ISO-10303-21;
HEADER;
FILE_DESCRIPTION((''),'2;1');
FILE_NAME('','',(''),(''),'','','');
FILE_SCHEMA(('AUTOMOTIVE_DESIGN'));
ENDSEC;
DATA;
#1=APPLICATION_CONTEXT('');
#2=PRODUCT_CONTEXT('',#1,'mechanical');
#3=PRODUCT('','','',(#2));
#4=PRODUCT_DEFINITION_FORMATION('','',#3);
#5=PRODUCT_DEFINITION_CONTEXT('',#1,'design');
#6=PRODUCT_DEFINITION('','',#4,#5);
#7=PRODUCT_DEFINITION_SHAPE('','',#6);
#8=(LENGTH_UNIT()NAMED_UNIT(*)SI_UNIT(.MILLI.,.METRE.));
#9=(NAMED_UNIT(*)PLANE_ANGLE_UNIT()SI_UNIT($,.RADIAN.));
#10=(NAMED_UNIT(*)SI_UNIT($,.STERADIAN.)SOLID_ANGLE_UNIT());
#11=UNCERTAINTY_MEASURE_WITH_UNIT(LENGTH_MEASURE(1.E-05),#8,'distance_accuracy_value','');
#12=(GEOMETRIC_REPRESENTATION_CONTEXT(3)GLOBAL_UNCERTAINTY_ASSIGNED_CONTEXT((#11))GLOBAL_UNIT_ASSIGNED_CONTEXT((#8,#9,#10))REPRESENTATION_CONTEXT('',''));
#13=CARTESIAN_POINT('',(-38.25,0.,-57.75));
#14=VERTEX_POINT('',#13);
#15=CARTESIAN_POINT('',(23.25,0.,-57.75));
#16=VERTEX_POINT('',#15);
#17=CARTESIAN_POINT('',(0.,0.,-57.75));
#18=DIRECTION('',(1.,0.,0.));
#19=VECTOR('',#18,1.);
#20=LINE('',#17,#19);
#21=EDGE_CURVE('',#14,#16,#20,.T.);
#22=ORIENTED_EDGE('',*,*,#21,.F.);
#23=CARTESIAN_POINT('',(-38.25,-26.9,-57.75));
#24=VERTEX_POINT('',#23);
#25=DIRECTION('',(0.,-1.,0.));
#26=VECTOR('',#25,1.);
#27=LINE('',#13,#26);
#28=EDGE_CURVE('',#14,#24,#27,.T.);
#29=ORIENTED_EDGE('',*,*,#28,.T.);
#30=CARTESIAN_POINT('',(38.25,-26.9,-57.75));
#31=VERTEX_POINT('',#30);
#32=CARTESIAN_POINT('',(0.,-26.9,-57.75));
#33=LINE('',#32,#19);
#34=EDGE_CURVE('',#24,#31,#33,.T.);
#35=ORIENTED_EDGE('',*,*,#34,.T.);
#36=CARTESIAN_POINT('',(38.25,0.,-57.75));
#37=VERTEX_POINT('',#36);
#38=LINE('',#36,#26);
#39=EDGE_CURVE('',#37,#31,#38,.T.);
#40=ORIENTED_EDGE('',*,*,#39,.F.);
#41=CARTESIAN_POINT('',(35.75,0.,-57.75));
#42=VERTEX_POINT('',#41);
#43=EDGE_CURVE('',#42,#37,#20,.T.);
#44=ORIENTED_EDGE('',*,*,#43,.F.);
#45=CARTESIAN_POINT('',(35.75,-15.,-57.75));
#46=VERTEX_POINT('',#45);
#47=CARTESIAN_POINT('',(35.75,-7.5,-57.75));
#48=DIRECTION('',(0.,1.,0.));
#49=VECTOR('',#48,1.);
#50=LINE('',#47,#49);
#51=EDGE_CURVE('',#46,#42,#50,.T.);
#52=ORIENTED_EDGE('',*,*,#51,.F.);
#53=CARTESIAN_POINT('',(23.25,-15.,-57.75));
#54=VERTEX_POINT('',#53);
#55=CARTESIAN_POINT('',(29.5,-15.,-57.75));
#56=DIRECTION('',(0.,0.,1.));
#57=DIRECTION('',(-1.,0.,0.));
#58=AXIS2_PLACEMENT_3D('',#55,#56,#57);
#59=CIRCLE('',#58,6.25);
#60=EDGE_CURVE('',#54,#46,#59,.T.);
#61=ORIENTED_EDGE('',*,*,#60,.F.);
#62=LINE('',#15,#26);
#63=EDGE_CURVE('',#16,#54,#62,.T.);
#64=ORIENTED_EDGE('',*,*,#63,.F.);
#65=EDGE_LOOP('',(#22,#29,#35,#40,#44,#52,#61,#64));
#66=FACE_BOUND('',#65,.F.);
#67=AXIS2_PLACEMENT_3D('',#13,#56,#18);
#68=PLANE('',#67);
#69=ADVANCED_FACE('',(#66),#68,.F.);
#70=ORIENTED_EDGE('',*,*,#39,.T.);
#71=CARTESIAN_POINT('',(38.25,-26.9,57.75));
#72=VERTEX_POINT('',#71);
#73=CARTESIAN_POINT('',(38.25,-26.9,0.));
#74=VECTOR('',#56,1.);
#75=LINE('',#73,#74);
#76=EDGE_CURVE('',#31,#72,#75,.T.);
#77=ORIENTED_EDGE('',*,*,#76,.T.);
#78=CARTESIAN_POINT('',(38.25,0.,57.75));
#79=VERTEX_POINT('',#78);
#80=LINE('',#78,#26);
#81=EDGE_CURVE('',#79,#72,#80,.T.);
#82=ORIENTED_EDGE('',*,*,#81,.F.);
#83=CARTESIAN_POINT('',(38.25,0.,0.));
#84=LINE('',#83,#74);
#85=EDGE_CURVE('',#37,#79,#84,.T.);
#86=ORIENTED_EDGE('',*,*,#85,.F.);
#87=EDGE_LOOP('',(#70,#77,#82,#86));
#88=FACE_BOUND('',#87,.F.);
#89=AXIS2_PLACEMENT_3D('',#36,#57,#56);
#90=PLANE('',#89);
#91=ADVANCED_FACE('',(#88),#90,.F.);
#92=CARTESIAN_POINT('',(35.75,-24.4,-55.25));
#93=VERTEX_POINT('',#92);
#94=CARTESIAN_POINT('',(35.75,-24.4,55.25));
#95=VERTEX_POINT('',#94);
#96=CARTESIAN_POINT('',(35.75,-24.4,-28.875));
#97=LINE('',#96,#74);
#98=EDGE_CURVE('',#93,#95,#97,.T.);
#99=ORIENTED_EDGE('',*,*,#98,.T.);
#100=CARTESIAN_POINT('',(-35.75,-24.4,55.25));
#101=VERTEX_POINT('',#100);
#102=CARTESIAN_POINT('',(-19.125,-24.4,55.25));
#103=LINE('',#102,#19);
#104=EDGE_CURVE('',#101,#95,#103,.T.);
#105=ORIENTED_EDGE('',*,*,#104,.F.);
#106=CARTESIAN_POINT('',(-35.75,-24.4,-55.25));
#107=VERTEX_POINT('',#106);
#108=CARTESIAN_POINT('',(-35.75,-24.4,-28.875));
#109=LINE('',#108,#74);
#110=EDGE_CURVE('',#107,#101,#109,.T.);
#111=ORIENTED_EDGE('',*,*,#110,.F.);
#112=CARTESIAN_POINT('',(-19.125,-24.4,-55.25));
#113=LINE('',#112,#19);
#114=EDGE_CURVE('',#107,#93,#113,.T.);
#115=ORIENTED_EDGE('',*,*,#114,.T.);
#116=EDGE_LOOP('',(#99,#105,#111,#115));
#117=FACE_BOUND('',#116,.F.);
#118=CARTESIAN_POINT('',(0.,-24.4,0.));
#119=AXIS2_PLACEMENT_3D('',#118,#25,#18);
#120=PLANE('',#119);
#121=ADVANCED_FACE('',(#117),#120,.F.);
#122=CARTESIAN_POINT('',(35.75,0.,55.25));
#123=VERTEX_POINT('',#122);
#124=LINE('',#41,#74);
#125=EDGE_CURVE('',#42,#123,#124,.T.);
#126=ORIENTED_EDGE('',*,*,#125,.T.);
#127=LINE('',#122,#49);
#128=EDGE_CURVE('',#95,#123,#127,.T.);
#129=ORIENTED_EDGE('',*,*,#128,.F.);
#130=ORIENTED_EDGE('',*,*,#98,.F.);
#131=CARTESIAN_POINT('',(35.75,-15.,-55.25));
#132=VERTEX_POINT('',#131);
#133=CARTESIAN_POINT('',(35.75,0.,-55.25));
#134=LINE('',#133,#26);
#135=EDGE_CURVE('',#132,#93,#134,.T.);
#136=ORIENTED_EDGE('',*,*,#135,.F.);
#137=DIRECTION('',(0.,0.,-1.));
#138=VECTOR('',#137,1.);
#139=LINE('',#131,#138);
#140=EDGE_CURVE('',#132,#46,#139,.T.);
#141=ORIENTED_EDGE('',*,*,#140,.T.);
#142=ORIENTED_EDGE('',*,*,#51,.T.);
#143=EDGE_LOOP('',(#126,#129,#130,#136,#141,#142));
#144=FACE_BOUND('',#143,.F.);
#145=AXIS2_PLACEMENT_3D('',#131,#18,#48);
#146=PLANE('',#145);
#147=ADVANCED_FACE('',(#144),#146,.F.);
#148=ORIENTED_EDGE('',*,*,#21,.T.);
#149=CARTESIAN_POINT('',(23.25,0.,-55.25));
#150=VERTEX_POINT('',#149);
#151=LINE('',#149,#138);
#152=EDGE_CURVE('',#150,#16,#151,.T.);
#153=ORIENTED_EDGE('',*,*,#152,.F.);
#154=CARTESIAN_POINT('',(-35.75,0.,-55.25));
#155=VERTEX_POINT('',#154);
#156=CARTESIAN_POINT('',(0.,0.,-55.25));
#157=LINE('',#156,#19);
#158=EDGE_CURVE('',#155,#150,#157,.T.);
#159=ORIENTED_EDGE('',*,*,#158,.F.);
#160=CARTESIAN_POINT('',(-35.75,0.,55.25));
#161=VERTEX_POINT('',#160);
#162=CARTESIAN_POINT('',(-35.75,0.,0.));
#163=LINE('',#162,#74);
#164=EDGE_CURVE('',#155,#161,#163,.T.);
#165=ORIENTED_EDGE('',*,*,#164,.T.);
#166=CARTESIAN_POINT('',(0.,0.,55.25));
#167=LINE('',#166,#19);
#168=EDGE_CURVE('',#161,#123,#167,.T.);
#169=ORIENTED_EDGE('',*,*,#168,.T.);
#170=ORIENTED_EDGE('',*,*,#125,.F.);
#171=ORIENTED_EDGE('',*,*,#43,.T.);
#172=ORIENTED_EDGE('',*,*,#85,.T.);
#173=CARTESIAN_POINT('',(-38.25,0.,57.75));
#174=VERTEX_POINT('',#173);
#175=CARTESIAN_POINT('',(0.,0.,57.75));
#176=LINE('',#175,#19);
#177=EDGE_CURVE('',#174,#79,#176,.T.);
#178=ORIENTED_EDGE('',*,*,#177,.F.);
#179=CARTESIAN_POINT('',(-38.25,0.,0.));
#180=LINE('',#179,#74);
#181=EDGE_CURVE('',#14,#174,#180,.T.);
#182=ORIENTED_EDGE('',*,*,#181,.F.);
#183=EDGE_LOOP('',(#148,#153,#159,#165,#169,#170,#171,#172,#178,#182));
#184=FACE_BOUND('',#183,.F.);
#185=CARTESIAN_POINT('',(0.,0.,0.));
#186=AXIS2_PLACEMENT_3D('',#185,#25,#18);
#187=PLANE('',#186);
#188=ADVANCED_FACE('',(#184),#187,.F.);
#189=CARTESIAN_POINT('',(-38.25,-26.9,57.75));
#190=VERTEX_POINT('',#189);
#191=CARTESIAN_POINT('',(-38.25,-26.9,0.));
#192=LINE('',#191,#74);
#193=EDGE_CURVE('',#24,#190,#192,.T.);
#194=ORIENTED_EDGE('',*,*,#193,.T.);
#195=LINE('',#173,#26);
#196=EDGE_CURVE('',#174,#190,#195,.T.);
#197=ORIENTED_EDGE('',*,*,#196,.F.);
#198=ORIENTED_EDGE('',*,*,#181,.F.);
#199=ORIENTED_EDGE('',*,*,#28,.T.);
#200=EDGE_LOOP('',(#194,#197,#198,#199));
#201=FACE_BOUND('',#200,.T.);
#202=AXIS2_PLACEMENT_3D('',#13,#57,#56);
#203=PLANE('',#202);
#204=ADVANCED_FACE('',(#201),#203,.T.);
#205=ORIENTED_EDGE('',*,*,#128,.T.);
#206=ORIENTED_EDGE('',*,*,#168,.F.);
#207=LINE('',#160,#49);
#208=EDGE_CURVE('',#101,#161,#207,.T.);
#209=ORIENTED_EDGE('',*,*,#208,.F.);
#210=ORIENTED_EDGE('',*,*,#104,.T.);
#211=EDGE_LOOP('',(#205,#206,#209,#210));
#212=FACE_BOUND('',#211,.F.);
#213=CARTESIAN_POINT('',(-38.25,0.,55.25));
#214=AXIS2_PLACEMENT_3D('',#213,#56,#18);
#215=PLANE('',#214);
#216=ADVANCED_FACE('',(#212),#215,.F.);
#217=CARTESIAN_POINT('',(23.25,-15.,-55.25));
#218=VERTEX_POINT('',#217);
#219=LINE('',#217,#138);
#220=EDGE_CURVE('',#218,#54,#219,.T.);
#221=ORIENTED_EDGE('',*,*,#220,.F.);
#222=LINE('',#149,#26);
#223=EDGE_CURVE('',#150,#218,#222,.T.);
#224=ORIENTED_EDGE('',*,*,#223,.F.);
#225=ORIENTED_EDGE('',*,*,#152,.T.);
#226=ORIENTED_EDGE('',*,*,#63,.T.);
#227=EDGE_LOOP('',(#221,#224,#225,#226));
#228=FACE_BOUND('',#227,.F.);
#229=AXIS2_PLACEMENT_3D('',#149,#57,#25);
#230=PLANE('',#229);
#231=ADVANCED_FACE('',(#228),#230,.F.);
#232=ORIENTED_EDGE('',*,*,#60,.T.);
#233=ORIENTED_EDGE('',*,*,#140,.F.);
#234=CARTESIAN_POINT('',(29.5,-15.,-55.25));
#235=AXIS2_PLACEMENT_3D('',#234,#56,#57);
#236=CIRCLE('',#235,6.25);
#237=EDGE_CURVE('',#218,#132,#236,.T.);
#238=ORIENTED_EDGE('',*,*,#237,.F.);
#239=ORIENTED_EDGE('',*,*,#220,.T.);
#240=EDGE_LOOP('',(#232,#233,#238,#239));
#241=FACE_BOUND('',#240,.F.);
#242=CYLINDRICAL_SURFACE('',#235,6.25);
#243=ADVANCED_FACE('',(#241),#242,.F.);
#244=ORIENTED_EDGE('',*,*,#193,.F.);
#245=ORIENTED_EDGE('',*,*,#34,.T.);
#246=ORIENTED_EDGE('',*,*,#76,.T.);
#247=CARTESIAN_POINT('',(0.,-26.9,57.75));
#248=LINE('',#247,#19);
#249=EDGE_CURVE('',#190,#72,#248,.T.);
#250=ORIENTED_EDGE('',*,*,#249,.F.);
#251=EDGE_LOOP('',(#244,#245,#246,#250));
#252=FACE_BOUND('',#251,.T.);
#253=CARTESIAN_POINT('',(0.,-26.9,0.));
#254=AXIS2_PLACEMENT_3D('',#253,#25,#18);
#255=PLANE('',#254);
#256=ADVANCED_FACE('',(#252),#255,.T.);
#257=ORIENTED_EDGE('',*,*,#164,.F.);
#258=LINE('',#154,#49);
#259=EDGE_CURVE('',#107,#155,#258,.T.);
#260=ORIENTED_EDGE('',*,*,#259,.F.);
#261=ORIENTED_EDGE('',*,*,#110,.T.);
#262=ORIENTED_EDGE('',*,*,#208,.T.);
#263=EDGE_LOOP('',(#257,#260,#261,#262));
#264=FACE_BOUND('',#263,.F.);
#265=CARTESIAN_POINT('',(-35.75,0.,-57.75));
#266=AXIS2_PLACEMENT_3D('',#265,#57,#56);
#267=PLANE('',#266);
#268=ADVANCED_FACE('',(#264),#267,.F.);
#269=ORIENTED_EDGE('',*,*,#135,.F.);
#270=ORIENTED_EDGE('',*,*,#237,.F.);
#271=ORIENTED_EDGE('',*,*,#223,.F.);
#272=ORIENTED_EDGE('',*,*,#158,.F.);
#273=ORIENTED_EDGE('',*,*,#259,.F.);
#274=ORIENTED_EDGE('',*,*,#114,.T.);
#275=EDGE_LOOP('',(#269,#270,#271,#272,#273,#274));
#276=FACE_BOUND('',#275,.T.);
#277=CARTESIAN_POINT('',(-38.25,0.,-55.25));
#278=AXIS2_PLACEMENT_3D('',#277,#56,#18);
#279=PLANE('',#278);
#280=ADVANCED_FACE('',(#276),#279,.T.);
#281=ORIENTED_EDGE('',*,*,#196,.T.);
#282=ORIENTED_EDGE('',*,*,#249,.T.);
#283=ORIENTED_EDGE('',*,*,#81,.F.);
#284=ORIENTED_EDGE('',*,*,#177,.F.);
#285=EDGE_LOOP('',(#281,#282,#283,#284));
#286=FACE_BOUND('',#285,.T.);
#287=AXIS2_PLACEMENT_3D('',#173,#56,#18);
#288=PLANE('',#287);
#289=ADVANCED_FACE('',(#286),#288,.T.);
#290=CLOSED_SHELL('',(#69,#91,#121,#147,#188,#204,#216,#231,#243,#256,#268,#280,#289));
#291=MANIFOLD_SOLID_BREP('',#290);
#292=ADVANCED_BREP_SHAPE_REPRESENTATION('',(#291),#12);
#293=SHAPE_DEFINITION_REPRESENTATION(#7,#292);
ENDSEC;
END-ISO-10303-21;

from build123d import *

# Parameters (mm, degrees)
F0_W     = 76.5
F0_H     = 115.5
F1_DEPTH = 26.9
F2_T     = -2.5
F4_DEPTH = 25


with BuildPart() as f1:
    # F0 (on Front) → F1 (new body)
    with BuildSketch(Plane.XZ):
        Rectangle(F0_W, F0_H)
    extrude(amount=F1_DEPTH)

    # F2
    f2_openings = [f1.faces().sort_by_distance(p)[0] for p in [
        (0, 0, 0),
    ]]
    offset(amount=F2_T, openings=f2_openings)

    # F3 (on face) → F4 (cut)
    with BuildSketch(Plane.XY.offset(-55.25)):
        with BuildLine():
            Line((35.75, -15), (35.75, 0))
            Line((35.75, 0), (23.25, 0))
            Line((23.25, 0), (23.25, -15))
            ThreePointArc((23.25, -15), (29.5, -21.25), (35.75, -15))
        make_face()
    extrude(amount=-F4_DEPTH, mode=Mode.SUBTRACT)


solid = f1.part
